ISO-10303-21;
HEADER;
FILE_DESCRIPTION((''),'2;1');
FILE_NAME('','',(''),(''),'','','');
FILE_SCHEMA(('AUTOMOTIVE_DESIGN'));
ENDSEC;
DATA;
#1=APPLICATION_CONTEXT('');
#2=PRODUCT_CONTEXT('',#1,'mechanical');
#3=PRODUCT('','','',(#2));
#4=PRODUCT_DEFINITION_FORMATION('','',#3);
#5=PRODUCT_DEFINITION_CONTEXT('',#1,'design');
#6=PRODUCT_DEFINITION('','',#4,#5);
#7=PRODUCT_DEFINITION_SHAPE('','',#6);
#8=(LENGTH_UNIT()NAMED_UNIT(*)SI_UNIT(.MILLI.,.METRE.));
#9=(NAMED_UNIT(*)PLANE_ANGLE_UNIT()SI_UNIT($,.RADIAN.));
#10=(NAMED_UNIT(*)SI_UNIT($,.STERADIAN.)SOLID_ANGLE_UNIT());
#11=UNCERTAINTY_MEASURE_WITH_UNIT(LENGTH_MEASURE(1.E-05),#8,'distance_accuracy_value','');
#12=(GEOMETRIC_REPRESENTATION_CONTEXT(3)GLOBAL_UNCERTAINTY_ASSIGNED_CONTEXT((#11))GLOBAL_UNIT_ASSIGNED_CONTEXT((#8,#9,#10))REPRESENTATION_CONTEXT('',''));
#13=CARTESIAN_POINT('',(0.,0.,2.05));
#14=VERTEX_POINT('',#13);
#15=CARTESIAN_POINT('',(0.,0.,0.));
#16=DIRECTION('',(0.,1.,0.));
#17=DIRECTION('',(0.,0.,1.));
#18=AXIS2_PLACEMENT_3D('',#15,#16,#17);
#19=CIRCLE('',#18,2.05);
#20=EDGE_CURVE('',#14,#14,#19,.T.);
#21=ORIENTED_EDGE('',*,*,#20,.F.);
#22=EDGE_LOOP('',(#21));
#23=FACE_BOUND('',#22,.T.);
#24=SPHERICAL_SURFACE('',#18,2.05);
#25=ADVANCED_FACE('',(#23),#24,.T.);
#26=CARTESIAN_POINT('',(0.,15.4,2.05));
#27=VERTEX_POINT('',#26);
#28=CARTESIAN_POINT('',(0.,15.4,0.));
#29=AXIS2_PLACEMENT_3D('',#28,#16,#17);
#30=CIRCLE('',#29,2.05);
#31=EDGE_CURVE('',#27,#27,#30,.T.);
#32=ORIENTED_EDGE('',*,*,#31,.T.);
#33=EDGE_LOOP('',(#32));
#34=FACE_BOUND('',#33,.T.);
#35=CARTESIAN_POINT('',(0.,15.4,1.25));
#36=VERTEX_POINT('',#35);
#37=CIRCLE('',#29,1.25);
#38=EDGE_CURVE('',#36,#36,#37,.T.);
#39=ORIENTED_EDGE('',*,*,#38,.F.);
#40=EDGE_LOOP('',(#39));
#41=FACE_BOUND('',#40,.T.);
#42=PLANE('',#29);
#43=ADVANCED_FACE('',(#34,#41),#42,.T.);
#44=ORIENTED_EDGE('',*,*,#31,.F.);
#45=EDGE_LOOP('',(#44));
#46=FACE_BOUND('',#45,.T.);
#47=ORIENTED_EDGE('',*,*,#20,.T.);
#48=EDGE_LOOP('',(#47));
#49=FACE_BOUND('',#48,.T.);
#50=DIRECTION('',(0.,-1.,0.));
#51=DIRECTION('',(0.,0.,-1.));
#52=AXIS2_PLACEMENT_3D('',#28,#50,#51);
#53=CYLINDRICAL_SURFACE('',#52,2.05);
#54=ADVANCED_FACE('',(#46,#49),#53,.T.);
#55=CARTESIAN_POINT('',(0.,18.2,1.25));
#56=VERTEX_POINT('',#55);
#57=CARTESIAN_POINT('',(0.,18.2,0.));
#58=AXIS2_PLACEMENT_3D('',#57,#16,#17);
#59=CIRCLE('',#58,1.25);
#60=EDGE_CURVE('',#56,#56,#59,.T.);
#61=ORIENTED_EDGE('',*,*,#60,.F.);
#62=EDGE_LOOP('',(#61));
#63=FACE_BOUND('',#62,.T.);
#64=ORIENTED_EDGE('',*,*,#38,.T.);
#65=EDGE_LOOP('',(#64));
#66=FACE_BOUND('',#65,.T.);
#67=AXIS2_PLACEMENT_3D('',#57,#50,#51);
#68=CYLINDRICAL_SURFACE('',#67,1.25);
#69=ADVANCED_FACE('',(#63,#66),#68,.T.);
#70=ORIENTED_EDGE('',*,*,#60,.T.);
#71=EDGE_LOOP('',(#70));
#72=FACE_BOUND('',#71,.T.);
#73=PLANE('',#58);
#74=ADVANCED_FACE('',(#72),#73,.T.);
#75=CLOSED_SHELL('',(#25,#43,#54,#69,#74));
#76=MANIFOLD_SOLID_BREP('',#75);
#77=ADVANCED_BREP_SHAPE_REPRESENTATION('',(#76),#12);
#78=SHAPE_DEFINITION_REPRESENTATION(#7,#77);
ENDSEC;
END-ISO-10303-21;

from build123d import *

# Parameters (mm, degrees)
CROQUIS1_R              = 2.05
SALIENTE_EXTRUIR1_DEPTH = 15.4
CROQUIS2_R              = 1.25
SALIENTE_EXTRUIR2_DEPTH = 2.8


with BuildPart() as part:
    # Croquis1 → Saliente-Extruir1 (new body)
    with BuildSketch(Plane(origin=(0, 0, 0), x_dir=(1, 0, 0), z_dir=(0, 1, 0))):
        Circle(CROQUIS1_R)
    extrude(amount=SALIENTE_EXTRUIR1_DEPTH)

    # Croquis2 → Saliente-Extruir2 (add)
    with BuildSketch(Plane(origin=(0, 15.4, 0), x_dir=(1, 0, 0), z_dir=(0, 1, 0))):
        Circle(CROQUIS2_R)
    extrude(amount=SALIENTE_EXTRUIR2_DEPTH)

    # Croquis4 → Revolución2 (revolve)
    with BuildSketch(Plane.XZ):
        with BuildLine():
            Line((0, -2.05), (0, 2.05))
            ThreePointArc((0, 2.05), (2.05, 0), (0, -2.05))
        make_face()
    revolve(axis=Axis((0, 0, -2.05), (0, 0, 1)))


solid = part.part
